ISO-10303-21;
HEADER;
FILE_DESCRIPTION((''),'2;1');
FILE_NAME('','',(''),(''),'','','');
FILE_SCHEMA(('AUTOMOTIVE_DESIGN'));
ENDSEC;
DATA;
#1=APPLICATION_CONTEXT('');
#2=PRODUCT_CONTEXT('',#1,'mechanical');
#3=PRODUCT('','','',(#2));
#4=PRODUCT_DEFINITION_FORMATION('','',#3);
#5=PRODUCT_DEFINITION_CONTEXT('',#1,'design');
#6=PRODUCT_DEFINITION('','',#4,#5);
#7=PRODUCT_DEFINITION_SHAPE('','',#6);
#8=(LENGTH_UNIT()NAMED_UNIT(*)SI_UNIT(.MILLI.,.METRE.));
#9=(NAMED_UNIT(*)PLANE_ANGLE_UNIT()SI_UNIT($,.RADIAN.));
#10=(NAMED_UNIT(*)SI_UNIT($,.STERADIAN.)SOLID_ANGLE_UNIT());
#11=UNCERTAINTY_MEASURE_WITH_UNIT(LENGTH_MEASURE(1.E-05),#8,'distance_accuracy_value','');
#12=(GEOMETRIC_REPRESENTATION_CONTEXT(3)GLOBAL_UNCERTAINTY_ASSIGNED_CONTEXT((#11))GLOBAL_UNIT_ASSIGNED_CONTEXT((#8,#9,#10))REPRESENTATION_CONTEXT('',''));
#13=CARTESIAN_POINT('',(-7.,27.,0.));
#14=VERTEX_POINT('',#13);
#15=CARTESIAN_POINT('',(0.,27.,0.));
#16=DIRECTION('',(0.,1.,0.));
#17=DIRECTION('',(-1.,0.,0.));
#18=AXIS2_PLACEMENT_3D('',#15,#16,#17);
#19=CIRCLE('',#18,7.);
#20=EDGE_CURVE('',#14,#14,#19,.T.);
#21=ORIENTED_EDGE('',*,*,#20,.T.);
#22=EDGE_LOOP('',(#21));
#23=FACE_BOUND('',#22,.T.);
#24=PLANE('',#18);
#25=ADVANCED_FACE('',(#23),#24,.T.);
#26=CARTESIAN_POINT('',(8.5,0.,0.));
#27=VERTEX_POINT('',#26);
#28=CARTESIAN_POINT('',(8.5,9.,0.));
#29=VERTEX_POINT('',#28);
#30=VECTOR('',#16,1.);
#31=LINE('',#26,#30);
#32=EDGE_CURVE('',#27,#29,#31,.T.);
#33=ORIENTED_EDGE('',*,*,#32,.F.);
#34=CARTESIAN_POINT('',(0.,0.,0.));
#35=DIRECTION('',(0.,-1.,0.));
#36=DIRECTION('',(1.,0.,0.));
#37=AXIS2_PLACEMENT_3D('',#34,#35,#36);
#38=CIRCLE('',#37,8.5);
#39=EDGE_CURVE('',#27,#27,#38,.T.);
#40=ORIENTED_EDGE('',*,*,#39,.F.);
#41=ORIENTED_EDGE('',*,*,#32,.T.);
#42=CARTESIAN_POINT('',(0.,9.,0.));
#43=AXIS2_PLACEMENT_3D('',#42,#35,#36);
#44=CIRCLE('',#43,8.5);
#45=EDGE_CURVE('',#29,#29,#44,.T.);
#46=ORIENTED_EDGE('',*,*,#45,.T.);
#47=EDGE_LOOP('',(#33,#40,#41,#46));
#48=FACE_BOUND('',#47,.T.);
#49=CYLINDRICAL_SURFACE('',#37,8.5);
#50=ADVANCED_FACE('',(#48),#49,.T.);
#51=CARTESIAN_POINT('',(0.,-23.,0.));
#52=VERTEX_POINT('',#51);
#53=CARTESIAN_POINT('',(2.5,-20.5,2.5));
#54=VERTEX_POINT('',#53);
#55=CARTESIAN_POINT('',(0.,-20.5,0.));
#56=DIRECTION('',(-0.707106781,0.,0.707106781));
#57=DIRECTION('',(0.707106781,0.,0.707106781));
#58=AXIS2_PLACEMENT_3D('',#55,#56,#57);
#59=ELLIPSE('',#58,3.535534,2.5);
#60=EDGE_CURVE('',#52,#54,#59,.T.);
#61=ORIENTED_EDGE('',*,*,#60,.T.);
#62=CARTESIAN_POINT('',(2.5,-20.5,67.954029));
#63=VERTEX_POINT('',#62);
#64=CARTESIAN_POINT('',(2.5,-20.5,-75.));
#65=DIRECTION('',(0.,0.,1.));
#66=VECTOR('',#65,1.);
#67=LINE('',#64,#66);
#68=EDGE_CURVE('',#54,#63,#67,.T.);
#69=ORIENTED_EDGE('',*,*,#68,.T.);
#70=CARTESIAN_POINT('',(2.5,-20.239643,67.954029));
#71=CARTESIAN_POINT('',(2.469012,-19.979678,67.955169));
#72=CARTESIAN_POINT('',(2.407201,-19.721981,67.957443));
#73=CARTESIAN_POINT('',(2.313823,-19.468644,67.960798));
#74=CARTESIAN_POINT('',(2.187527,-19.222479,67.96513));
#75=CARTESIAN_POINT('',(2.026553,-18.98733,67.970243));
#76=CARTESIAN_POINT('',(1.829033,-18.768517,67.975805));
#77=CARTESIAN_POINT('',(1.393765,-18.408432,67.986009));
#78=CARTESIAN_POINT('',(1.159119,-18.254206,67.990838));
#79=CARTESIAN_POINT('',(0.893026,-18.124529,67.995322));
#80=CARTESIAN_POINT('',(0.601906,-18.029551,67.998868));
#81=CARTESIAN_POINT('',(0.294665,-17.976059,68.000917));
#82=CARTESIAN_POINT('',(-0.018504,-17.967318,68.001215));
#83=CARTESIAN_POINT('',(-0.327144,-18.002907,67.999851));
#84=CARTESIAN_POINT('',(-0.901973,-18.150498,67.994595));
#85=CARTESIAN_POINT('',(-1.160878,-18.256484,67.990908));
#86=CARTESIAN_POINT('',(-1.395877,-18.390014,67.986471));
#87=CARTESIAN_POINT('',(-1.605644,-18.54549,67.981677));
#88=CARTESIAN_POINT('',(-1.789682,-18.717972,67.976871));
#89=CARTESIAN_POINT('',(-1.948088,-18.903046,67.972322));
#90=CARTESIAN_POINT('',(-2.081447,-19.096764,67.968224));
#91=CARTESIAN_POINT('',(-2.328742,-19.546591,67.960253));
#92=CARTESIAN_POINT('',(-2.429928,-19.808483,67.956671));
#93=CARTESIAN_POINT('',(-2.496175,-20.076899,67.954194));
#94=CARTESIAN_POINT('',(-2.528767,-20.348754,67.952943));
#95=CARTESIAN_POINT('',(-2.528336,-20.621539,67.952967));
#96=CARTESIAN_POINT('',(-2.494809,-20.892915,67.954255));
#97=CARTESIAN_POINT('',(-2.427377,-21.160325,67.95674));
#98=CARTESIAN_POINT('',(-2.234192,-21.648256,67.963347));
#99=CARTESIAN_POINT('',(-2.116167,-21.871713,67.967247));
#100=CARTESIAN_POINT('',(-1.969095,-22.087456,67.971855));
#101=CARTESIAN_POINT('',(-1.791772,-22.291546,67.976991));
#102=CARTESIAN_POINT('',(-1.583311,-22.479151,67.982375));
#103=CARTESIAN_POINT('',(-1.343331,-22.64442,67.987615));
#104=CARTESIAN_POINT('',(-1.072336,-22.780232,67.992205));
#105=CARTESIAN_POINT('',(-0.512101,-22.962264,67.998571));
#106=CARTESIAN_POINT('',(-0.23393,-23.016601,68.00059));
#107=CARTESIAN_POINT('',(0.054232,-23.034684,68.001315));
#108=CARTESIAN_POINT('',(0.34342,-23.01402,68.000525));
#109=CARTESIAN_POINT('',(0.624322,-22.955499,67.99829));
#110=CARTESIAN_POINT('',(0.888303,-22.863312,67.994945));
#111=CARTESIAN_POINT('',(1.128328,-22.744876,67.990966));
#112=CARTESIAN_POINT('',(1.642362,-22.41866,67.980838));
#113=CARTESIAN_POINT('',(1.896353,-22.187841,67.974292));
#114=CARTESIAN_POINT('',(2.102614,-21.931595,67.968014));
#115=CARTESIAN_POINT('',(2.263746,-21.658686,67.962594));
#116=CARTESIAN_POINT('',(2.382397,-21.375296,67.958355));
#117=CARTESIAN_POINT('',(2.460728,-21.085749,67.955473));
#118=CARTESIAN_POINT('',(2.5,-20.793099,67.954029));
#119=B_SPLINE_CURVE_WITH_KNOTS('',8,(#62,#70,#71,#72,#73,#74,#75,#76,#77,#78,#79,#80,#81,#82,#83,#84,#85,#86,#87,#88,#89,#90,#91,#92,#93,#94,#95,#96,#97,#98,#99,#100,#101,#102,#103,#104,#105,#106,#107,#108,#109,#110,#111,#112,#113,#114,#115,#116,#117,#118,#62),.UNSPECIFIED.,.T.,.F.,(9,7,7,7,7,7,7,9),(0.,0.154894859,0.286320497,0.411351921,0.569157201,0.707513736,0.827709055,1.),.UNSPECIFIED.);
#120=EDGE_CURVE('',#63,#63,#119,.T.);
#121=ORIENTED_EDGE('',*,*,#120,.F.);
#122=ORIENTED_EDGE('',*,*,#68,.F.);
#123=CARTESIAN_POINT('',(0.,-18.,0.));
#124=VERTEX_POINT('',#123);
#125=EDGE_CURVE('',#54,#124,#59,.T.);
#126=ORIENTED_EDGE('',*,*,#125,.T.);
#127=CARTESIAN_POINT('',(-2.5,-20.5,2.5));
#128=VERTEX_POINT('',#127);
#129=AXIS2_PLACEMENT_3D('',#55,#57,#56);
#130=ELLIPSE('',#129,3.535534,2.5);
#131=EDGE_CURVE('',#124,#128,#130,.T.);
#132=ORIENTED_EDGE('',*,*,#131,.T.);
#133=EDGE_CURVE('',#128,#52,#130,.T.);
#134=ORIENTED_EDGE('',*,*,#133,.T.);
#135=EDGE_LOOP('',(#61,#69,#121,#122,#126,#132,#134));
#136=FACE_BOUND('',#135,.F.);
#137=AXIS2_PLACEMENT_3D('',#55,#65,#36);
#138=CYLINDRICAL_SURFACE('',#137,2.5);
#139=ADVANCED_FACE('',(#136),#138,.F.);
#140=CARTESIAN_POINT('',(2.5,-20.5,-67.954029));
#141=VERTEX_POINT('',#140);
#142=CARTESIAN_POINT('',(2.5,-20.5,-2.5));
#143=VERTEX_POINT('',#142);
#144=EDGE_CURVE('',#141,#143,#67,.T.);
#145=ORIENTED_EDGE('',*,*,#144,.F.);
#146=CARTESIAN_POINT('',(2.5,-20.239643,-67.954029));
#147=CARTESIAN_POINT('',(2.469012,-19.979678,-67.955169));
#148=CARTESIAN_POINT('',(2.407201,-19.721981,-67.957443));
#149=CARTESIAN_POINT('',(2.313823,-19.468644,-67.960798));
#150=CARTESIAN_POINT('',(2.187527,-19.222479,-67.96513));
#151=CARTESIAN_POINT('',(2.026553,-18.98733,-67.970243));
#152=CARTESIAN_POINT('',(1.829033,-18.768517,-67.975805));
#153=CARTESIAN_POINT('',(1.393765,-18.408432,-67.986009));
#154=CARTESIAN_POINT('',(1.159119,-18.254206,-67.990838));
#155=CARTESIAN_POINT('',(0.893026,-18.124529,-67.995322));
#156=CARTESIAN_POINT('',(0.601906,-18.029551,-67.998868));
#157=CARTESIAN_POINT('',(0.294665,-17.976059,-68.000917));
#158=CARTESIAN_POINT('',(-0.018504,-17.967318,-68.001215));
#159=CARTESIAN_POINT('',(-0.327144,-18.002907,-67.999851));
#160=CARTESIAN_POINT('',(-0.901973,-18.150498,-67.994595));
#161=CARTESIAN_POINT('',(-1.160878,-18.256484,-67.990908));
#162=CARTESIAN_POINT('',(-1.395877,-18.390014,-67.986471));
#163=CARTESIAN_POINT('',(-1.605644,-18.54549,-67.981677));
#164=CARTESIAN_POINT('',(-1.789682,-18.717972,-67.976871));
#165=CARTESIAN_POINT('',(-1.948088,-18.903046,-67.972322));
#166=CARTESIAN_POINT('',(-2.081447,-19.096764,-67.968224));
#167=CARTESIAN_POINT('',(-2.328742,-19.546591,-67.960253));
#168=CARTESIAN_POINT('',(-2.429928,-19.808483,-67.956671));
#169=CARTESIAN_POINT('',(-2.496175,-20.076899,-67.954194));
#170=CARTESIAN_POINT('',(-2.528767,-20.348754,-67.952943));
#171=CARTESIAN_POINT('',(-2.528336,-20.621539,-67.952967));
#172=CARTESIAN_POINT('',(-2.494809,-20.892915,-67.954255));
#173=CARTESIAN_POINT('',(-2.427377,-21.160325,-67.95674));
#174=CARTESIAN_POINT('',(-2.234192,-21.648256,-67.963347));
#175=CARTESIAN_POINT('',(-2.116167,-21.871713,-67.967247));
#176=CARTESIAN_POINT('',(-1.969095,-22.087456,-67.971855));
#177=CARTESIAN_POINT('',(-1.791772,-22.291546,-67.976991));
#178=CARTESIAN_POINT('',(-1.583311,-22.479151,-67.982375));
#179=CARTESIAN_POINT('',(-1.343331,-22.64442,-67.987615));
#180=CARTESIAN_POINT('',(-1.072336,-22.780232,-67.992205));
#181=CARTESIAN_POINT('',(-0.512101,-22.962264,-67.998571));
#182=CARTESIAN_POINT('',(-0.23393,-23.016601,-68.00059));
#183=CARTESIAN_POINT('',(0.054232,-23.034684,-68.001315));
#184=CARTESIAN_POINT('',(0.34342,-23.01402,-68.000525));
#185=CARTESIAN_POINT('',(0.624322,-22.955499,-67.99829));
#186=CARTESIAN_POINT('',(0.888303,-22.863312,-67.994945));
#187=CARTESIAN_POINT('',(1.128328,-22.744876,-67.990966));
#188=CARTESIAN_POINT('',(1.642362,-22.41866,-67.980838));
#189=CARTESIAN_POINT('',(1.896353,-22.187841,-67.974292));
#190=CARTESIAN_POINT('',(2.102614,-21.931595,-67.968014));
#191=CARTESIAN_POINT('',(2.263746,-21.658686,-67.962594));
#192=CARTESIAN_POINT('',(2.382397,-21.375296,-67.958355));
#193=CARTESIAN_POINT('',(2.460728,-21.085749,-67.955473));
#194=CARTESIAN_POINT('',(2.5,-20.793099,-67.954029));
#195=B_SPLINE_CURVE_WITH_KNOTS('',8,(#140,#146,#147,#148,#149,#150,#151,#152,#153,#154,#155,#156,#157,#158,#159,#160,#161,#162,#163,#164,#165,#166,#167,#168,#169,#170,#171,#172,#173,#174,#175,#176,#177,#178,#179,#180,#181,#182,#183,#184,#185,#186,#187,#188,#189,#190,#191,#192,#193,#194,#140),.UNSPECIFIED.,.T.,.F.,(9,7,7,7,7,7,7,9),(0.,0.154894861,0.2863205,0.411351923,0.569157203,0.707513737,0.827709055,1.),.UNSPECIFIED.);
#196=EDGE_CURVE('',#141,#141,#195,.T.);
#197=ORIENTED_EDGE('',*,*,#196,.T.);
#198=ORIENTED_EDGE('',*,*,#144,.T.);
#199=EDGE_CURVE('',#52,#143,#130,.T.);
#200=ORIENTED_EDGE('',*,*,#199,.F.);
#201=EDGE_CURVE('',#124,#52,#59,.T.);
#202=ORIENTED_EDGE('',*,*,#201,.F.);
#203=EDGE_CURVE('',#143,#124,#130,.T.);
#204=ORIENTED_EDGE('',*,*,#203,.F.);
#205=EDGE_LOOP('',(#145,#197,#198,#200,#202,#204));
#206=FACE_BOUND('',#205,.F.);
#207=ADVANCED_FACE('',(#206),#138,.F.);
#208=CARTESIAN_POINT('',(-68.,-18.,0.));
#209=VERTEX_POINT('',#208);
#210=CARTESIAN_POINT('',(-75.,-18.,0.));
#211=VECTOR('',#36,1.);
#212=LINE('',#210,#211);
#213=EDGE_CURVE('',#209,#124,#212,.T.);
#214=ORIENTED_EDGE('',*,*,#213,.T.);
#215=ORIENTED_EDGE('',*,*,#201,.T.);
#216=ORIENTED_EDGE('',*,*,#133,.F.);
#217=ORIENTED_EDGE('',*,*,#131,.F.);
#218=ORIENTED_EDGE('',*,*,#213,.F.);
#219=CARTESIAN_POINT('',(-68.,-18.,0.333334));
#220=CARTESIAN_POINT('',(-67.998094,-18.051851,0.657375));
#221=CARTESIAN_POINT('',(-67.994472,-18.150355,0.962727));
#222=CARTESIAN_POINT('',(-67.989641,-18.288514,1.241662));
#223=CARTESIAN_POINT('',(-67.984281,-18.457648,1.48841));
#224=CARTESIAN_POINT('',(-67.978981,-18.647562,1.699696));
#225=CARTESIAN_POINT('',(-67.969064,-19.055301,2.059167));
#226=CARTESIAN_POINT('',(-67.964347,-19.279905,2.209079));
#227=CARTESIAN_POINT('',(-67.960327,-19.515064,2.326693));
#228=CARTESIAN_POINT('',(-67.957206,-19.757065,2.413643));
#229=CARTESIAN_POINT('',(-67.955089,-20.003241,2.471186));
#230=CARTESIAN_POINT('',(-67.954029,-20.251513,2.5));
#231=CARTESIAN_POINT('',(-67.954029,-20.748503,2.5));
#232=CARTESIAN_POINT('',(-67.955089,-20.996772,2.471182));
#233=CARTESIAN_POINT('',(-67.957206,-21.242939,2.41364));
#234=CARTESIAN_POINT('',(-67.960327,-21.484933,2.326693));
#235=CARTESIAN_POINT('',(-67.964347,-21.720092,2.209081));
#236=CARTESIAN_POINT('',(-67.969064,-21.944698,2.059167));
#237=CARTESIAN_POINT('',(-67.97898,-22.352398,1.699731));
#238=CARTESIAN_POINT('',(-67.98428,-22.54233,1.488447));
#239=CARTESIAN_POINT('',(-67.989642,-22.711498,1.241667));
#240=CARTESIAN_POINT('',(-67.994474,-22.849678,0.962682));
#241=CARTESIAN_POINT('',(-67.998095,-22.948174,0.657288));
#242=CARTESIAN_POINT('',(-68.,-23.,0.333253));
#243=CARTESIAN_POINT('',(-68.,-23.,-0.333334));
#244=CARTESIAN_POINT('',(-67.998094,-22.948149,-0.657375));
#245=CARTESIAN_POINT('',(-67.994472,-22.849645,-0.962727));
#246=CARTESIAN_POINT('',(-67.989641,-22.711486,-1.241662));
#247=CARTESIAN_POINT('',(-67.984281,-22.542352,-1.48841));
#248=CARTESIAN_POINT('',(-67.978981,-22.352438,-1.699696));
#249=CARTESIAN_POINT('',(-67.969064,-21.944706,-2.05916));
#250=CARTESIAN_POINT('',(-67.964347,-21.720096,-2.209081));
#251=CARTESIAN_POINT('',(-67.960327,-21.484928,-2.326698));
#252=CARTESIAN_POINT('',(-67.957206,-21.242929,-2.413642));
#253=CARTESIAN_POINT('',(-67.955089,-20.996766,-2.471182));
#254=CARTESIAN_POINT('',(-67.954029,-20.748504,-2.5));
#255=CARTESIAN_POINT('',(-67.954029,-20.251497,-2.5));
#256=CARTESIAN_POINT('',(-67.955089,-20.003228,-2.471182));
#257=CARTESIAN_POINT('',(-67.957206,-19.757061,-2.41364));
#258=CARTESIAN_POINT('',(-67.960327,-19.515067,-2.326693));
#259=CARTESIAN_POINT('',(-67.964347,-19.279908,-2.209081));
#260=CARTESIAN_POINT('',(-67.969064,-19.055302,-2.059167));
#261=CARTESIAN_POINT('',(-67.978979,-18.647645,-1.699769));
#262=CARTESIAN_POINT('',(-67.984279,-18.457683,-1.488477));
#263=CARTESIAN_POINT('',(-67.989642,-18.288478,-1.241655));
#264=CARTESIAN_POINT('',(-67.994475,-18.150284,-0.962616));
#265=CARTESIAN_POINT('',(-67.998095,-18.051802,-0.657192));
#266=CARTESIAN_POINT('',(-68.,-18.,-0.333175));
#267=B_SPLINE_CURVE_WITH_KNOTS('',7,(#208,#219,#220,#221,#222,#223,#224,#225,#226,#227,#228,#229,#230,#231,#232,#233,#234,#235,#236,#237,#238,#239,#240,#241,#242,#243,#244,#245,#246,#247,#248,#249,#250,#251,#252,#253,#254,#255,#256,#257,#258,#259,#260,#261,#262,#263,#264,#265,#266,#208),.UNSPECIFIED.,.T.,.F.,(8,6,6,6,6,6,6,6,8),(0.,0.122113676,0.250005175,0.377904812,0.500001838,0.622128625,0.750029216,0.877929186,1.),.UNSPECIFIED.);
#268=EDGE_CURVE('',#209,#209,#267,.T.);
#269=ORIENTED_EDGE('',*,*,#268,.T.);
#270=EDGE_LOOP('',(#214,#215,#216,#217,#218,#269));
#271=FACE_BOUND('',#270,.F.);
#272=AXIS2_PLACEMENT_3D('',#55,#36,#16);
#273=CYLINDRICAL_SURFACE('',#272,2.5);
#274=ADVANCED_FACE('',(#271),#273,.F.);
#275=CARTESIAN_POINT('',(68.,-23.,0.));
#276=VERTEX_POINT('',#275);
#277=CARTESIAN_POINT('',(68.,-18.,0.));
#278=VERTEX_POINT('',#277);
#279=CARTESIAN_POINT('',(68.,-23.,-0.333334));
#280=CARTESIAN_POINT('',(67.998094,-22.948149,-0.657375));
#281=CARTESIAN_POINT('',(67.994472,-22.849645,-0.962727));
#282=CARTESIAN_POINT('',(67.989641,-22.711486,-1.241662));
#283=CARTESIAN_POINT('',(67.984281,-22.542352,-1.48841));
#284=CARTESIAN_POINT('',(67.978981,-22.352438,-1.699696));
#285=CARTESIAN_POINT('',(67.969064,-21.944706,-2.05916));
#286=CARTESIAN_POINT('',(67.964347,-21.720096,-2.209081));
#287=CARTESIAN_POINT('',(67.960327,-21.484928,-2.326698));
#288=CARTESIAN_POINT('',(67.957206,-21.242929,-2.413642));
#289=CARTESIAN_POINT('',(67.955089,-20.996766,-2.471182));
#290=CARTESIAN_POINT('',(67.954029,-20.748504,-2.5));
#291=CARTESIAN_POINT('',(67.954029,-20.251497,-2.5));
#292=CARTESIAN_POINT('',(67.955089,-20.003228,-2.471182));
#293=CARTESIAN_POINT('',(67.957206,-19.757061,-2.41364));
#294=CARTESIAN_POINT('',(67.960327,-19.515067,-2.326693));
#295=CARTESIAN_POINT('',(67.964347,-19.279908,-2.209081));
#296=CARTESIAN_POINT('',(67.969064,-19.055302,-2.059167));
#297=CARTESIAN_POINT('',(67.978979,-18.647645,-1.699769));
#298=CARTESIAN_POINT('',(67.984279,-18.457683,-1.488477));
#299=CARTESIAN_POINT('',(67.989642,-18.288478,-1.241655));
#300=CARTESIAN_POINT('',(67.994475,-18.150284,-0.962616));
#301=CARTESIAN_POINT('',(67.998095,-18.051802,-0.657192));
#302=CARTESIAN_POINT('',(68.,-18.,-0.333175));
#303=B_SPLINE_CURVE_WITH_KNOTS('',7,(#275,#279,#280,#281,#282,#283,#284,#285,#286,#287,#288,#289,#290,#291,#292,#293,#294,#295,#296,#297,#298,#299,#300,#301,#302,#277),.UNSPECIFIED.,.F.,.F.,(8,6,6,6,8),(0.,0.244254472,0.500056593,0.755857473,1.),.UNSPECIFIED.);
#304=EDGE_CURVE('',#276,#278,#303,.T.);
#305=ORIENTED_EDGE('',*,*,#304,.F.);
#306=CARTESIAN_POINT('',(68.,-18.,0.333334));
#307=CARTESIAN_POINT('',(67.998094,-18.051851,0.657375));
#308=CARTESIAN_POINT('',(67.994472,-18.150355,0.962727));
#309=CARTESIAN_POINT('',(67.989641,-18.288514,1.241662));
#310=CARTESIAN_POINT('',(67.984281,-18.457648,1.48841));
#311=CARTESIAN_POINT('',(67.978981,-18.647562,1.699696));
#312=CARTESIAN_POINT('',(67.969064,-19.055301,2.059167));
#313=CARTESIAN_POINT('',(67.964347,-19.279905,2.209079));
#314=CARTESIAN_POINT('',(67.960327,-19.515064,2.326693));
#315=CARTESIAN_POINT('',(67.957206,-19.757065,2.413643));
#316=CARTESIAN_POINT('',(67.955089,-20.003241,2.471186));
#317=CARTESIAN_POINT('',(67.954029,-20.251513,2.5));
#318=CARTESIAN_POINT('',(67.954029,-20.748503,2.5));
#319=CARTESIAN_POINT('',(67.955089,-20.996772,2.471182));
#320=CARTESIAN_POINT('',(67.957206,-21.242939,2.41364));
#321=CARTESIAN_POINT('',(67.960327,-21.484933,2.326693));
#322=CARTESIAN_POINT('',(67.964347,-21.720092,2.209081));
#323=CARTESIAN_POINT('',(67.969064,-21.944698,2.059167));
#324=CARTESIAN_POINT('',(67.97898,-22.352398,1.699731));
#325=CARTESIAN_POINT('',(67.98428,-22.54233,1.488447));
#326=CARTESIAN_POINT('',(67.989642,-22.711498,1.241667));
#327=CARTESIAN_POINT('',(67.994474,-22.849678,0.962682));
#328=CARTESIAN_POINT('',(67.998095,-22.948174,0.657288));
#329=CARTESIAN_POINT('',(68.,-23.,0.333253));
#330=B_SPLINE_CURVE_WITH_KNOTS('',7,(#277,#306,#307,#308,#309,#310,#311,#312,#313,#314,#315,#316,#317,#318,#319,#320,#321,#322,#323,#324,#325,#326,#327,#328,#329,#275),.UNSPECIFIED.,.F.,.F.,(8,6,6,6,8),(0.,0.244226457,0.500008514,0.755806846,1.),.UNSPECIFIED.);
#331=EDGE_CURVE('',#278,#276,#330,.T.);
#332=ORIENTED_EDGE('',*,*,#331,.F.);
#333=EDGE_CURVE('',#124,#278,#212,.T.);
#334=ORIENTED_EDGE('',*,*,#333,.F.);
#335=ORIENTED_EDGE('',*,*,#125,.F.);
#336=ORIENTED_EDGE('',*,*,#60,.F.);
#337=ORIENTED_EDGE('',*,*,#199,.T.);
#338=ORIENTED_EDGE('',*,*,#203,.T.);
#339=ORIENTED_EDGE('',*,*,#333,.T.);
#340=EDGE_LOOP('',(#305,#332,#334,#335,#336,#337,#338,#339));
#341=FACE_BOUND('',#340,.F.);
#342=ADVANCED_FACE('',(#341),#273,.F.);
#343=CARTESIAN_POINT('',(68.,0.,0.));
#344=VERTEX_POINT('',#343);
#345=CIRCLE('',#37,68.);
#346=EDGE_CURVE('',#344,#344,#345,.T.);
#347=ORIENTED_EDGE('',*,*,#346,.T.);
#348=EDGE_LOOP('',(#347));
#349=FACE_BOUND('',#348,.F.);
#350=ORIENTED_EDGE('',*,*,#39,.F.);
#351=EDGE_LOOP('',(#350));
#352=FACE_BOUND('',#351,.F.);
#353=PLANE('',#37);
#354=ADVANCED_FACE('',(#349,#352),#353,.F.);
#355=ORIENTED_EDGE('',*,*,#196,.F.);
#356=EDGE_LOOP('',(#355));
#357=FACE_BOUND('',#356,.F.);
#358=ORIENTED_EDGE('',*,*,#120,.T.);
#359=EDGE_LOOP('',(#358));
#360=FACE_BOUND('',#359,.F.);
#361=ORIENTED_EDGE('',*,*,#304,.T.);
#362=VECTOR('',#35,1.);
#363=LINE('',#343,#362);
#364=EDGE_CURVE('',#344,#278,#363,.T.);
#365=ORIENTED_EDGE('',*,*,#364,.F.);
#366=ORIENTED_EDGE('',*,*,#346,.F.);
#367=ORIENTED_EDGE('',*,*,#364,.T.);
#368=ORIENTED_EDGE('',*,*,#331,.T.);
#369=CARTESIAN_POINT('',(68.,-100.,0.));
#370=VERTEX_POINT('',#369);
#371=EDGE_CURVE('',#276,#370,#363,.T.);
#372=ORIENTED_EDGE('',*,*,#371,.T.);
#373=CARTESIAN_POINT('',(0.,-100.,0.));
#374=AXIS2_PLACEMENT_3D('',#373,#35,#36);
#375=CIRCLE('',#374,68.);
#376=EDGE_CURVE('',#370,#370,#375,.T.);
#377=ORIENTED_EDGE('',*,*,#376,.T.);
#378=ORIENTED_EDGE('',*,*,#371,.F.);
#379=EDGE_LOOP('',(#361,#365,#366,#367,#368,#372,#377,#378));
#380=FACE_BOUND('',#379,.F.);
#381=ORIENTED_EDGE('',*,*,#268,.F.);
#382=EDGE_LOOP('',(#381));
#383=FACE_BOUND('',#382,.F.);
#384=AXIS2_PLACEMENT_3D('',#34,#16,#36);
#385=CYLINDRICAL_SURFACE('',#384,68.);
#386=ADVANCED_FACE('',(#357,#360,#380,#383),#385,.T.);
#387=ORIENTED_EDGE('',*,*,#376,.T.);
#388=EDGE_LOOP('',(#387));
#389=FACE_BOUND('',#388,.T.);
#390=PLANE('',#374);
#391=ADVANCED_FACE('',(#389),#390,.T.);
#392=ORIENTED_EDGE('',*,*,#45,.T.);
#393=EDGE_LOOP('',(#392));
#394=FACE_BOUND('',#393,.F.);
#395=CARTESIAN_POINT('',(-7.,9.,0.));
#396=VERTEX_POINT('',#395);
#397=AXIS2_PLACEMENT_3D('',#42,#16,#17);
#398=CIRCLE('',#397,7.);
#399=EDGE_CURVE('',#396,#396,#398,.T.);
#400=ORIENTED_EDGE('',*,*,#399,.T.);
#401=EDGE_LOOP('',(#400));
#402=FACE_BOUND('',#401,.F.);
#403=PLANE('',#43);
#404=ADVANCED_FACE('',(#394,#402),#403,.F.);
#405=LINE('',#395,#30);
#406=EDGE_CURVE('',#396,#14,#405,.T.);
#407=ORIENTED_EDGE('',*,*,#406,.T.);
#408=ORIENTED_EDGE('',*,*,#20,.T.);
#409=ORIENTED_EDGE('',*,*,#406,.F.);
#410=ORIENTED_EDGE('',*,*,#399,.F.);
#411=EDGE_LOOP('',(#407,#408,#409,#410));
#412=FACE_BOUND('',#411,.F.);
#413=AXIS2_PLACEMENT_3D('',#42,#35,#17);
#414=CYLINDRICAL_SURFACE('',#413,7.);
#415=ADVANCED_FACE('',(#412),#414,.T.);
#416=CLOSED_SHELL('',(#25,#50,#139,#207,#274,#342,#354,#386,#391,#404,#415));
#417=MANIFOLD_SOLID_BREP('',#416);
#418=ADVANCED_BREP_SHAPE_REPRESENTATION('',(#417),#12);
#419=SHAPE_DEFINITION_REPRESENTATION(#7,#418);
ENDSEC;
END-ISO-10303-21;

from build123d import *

# Parameters (mm, degrees)
F0_R     = 68
F0_R_2   = 8.5
F1_DEPTH = 100
F2_DEPTH = 9
F4_R     = 2.5
F5_DEPTH = 75
F6_R     = 2.5
F7_DEPTH = 75
F3_R     = 7
F8_DEPTH = 18


with BuildPart() as f1:
    # F0 (on Front) → F1 (new body)
    with BuildSketch(Plane.XZ):
        Circle(F0_R)
        Circle(F0_R_2, mode=Mode.SUBTRACT)
        Circle(F0_R_2)
    extrude(amount=F1_DEPTH)

    # F0 (on Front) → F2 (join)
    with BuildSketch(Plane.XZ):
        Circle(F0_R_2)
    extrude(amount=-F2_DEPTH)

    # F4 (on Top) → F5 (cut, symmetric)
    with BuildSketch(Plane.XY):
        with Locations((0, -20.5)):
            Circle(F4_R)
    extrude(amount=F5_DEPTH, both=True, mode=Mode.SUBTRACT)

    # F6 (on Right) → F7 (cut, symmetric)
    with BuildSketch(Plane.YZ):
        with Locations((-20.5, 0)):
            Circle(F6_R)
    extrude(amount=F7_DEPTH, both=True, mode=Mode.SUBTRACT)

    # F3 (on face) → F8 (join)
    with BuildSketch(Plane(origin=(0, 9, 0), x_dir=(-1, 0, 0), z_dir=(0, 1, 0))):
        Circle(F3_R)
    extrude(amount=F8_DEPTH)


solid = f1.part
